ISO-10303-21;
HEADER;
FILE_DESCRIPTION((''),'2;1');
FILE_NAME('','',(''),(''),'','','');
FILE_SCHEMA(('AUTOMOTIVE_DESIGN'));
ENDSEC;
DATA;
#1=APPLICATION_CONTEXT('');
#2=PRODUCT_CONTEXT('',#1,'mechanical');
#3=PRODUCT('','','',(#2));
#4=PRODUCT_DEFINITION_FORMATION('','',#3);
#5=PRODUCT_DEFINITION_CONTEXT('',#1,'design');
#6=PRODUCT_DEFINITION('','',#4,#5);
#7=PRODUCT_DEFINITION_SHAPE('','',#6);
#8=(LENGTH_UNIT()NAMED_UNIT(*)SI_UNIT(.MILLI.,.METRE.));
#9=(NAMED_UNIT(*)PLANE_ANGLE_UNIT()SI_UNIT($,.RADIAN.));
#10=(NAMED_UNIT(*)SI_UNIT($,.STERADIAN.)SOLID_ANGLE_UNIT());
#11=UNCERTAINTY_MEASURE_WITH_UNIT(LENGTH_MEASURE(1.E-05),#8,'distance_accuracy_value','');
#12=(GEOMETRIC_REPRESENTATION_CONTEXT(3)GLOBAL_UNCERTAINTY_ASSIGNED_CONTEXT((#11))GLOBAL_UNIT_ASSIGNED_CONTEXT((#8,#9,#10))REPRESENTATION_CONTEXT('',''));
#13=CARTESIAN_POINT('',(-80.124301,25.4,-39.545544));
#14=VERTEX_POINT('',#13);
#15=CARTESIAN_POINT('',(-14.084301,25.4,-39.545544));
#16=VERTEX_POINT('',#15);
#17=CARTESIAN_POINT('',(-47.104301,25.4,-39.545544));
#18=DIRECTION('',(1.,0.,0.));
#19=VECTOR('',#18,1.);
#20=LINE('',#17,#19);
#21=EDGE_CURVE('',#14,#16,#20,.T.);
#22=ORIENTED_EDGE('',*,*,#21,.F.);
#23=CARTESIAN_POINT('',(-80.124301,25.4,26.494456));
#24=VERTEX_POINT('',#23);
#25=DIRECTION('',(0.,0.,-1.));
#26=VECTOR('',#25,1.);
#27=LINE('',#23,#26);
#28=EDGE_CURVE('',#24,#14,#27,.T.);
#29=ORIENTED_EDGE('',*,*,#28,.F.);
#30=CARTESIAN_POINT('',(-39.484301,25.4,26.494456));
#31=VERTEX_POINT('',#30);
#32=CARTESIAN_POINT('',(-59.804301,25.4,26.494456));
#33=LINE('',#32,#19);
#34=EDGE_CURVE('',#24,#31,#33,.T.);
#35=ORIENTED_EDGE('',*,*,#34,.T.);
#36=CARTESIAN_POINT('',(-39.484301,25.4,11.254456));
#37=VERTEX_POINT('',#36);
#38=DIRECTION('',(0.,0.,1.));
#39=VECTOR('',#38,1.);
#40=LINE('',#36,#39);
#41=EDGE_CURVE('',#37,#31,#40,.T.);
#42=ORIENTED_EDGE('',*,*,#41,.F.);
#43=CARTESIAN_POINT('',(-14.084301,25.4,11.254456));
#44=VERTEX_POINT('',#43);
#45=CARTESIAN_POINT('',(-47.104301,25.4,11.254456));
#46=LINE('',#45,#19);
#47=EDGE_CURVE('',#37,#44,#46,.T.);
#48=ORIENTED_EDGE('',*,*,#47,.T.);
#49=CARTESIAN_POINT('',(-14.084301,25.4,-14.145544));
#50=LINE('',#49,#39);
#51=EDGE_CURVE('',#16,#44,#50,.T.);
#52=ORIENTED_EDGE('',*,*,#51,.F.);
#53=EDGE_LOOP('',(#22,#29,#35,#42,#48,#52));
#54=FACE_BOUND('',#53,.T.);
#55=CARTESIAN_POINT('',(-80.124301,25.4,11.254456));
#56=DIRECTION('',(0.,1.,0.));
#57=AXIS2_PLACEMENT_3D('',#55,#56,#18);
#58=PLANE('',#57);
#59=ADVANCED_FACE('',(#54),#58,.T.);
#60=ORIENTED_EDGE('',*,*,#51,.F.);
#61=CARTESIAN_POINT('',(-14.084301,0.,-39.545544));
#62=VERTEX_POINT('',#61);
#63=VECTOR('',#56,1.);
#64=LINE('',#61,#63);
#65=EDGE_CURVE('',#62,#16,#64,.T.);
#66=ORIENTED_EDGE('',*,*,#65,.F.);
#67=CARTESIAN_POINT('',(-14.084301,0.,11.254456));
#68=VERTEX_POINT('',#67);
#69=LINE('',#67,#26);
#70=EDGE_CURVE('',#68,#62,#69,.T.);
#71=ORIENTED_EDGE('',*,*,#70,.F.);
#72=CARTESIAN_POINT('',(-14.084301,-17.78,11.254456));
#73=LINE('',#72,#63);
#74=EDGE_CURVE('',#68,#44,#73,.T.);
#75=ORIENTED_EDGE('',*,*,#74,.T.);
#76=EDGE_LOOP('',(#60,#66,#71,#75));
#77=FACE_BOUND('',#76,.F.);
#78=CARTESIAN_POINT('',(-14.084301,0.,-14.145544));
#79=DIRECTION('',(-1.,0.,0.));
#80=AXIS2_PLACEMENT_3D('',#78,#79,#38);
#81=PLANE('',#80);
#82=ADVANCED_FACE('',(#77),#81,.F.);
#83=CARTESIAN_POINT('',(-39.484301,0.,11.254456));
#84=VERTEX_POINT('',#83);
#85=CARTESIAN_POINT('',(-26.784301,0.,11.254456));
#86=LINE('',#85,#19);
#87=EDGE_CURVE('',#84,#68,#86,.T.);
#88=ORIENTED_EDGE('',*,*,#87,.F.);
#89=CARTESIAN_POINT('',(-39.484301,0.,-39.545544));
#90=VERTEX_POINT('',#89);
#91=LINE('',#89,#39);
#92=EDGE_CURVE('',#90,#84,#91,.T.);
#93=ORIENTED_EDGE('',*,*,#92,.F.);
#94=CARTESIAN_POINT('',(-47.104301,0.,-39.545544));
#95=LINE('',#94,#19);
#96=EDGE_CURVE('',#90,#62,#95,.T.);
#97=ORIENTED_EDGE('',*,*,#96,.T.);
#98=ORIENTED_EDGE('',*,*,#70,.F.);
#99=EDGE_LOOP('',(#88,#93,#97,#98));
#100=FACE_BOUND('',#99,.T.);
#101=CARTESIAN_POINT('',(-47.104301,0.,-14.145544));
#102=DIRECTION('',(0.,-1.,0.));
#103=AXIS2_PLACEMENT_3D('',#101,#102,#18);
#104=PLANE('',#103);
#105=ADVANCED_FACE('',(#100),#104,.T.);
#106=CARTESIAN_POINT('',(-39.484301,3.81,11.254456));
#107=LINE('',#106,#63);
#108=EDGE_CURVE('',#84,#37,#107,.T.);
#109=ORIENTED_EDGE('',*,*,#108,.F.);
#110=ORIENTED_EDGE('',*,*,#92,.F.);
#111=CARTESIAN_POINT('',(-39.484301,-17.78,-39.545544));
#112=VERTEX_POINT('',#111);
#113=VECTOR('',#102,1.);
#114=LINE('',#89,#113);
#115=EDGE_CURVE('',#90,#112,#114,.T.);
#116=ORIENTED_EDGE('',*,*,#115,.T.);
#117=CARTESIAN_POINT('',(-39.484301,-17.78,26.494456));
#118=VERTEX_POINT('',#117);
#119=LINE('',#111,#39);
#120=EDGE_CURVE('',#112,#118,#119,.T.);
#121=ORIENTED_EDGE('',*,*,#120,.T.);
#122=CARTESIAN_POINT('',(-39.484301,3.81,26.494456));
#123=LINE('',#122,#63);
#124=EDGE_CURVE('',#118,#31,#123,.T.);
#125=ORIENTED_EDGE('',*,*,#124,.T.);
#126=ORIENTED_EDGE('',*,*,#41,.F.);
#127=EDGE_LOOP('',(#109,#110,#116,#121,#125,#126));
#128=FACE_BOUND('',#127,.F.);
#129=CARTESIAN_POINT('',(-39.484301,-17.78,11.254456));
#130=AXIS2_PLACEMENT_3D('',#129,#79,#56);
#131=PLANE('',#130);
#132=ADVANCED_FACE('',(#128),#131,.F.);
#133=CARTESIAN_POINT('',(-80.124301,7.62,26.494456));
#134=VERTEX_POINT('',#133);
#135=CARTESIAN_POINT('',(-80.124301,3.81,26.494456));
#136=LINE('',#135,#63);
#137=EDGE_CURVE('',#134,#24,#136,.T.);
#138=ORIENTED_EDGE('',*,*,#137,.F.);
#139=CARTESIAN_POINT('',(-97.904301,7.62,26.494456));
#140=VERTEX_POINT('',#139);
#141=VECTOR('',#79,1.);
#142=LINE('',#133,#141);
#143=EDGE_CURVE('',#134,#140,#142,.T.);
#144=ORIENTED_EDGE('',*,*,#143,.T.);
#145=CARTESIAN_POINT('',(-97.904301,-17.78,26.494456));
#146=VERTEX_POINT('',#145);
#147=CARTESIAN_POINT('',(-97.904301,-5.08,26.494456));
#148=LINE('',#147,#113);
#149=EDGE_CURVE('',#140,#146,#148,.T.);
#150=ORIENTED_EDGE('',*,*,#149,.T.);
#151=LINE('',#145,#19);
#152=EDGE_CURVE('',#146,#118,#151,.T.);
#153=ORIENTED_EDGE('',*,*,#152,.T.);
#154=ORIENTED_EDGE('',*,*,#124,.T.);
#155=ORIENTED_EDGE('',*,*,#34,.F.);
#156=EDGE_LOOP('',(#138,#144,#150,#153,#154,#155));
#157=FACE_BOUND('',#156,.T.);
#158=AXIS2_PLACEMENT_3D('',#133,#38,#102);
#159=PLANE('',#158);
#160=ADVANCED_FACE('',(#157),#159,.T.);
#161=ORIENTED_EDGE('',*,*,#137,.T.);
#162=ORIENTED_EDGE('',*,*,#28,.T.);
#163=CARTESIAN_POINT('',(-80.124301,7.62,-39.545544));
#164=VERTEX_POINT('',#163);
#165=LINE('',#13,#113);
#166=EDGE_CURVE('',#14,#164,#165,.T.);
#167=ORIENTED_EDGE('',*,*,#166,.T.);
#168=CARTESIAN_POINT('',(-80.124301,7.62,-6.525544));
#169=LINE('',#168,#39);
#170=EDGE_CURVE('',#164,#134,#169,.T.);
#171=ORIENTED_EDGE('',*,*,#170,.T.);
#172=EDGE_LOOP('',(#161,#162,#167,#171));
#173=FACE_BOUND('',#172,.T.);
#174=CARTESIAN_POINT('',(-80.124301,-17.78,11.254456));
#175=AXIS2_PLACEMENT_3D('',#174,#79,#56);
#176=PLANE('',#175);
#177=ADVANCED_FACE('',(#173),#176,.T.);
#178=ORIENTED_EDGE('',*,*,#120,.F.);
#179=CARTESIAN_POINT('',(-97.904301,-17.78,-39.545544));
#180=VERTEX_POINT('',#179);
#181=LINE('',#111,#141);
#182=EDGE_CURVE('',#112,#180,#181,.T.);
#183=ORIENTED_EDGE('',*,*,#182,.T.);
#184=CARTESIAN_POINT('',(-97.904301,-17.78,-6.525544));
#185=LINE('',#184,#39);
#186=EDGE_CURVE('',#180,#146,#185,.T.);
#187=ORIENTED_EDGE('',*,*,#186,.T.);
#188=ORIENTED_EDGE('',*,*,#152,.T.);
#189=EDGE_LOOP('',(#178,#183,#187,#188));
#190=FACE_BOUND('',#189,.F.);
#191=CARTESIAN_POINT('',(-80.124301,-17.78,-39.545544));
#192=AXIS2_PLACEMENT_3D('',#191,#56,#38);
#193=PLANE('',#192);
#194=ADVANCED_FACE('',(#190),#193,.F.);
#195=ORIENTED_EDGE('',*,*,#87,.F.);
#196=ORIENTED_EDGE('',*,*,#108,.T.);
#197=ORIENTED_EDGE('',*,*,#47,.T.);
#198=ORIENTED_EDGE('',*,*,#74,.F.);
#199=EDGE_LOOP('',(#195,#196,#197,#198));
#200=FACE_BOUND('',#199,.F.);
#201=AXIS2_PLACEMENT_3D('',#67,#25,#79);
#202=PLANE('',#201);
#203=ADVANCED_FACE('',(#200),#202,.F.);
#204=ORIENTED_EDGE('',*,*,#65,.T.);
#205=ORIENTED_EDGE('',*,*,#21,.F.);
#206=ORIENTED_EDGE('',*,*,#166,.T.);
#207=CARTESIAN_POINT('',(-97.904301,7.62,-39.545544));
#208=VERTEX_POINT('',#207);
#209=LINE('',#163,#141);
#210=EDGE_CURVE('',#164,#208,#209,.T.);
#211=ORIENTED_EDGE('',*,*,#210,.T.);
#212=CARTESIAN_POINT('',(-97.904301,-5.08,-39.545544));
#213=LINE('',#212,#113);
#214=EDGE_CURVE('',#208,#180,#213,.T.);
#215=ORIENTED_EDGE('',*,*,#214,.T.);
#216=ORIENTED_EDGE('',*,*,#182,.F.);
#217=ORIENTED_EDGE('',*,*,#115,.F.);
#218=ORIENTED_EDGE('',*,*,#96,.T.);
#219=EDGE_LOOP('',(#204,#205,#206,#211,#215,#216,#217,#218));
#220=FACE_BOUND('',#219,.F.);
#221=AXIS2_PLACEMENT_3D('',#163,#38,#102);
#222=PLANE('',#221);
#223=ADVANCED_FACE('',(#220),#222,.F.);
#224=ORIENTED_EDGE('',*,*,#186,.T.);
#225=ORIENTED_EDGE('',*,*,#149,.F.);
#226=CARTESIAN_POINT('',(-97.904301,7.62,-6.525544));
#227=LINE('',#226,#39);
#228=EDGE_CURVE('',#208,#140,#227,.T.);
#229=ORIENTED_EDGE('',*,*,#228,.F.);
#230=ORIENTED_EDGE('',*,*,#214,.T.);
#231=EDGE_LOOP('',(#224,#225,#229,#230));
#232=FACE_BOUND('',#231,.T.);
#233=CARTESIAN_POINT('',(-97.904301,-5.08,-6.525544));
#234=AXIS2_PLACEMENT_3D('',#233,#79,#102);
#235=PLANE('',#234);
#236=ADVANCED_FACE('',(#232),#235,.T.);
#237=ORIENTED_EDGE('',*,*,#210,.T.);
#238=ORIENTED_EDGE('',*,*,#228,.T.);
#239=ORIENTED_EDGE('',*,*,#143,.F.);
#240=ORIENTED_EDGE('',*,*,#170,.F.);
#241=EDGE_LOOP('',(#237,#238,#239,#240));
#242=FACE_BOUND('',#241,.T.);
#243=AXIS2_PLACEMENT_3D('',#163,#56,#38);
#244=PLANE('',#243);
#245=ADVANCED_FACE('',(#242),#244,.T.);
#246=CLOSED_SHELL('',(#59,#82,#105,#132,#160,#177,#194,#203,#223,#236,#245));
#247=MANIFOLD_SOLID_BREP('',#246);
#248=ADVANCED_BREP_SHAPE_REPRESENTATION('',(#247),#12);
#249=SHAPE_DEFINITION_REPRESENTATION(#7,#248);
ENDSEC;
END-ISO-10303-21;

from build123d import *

# Parameters (mm, degrees)
F0_W     = 66.04
F0_H     = 50.8
F1_DEPTH = 25.4
F2_W     = 40.64
F2_H     = 25.4
F2_W_2   = 25.4
F3_DEPTH = 17.78
F4_W     = 40.64
F4_H     = 43.18
F5_DEPTH = 15.24
F6_W     = 25.4
F6_H     = 25.4
F7_DEPTH = 17.78
F8_W     = 25.4
F8_H     = 66.04
F9_DEPTH = 17.78


with BuildPart() as f1:
    # F0 (on Front) → F1 (new body)
    with BuildSketch(Plane.XZ):
        with Locations((-47.104301, -14.145544)):
            Rectangle(F0_W, F0_H)
    extrude(amount=-F1_DEPTH)

    # F2 (on face) → F3 (join)
    with BuildSketch(Plane.XZ):
        with Locations((-59.804301, -1.445544)):
            Rectangle(F2_W, F2_H)
        with Locations((-59.804301, -26.845544)):
            Rectangle(F2_W, F2_H)
        with Locations((-26.784301, -1.445544)):
            Rectangle(F2_W_2, F2_H)
    extrude(amount=F3_DEPTH)

    # F4 (on face) → F5 (join)
    with BuildSketch(Plane.XY.offset(11.254456)):
        with Locations((-59.804301, 3.81)):
            Rectangle(F4_W, F4_H)
    extrude(amount=F5_DEPTH)

    # F6 (on face) → F7 (cut)
    with BuildSketch(Plane.XZ.offset(17.78)):
        with Locations((-26.784301, -1.445544)):
            Rectangle(F6_W, F6_H)
    extrude(amount=-F7_DEPTH, mode=Mode.SUBTRACT)

    # F8 (on face) → F9 (join)
    with BuildSketch(Plane(origin=(-80.124301, 0, 0), x_dir=(0, -1, 0), z_dir=(-1, 0, 0))):
        with Locations((5.08, -6.525544)):
            Rectangle(F8_W, F8_H)
    extrude(amount=F9_DEPTH)


solid = f1.part
